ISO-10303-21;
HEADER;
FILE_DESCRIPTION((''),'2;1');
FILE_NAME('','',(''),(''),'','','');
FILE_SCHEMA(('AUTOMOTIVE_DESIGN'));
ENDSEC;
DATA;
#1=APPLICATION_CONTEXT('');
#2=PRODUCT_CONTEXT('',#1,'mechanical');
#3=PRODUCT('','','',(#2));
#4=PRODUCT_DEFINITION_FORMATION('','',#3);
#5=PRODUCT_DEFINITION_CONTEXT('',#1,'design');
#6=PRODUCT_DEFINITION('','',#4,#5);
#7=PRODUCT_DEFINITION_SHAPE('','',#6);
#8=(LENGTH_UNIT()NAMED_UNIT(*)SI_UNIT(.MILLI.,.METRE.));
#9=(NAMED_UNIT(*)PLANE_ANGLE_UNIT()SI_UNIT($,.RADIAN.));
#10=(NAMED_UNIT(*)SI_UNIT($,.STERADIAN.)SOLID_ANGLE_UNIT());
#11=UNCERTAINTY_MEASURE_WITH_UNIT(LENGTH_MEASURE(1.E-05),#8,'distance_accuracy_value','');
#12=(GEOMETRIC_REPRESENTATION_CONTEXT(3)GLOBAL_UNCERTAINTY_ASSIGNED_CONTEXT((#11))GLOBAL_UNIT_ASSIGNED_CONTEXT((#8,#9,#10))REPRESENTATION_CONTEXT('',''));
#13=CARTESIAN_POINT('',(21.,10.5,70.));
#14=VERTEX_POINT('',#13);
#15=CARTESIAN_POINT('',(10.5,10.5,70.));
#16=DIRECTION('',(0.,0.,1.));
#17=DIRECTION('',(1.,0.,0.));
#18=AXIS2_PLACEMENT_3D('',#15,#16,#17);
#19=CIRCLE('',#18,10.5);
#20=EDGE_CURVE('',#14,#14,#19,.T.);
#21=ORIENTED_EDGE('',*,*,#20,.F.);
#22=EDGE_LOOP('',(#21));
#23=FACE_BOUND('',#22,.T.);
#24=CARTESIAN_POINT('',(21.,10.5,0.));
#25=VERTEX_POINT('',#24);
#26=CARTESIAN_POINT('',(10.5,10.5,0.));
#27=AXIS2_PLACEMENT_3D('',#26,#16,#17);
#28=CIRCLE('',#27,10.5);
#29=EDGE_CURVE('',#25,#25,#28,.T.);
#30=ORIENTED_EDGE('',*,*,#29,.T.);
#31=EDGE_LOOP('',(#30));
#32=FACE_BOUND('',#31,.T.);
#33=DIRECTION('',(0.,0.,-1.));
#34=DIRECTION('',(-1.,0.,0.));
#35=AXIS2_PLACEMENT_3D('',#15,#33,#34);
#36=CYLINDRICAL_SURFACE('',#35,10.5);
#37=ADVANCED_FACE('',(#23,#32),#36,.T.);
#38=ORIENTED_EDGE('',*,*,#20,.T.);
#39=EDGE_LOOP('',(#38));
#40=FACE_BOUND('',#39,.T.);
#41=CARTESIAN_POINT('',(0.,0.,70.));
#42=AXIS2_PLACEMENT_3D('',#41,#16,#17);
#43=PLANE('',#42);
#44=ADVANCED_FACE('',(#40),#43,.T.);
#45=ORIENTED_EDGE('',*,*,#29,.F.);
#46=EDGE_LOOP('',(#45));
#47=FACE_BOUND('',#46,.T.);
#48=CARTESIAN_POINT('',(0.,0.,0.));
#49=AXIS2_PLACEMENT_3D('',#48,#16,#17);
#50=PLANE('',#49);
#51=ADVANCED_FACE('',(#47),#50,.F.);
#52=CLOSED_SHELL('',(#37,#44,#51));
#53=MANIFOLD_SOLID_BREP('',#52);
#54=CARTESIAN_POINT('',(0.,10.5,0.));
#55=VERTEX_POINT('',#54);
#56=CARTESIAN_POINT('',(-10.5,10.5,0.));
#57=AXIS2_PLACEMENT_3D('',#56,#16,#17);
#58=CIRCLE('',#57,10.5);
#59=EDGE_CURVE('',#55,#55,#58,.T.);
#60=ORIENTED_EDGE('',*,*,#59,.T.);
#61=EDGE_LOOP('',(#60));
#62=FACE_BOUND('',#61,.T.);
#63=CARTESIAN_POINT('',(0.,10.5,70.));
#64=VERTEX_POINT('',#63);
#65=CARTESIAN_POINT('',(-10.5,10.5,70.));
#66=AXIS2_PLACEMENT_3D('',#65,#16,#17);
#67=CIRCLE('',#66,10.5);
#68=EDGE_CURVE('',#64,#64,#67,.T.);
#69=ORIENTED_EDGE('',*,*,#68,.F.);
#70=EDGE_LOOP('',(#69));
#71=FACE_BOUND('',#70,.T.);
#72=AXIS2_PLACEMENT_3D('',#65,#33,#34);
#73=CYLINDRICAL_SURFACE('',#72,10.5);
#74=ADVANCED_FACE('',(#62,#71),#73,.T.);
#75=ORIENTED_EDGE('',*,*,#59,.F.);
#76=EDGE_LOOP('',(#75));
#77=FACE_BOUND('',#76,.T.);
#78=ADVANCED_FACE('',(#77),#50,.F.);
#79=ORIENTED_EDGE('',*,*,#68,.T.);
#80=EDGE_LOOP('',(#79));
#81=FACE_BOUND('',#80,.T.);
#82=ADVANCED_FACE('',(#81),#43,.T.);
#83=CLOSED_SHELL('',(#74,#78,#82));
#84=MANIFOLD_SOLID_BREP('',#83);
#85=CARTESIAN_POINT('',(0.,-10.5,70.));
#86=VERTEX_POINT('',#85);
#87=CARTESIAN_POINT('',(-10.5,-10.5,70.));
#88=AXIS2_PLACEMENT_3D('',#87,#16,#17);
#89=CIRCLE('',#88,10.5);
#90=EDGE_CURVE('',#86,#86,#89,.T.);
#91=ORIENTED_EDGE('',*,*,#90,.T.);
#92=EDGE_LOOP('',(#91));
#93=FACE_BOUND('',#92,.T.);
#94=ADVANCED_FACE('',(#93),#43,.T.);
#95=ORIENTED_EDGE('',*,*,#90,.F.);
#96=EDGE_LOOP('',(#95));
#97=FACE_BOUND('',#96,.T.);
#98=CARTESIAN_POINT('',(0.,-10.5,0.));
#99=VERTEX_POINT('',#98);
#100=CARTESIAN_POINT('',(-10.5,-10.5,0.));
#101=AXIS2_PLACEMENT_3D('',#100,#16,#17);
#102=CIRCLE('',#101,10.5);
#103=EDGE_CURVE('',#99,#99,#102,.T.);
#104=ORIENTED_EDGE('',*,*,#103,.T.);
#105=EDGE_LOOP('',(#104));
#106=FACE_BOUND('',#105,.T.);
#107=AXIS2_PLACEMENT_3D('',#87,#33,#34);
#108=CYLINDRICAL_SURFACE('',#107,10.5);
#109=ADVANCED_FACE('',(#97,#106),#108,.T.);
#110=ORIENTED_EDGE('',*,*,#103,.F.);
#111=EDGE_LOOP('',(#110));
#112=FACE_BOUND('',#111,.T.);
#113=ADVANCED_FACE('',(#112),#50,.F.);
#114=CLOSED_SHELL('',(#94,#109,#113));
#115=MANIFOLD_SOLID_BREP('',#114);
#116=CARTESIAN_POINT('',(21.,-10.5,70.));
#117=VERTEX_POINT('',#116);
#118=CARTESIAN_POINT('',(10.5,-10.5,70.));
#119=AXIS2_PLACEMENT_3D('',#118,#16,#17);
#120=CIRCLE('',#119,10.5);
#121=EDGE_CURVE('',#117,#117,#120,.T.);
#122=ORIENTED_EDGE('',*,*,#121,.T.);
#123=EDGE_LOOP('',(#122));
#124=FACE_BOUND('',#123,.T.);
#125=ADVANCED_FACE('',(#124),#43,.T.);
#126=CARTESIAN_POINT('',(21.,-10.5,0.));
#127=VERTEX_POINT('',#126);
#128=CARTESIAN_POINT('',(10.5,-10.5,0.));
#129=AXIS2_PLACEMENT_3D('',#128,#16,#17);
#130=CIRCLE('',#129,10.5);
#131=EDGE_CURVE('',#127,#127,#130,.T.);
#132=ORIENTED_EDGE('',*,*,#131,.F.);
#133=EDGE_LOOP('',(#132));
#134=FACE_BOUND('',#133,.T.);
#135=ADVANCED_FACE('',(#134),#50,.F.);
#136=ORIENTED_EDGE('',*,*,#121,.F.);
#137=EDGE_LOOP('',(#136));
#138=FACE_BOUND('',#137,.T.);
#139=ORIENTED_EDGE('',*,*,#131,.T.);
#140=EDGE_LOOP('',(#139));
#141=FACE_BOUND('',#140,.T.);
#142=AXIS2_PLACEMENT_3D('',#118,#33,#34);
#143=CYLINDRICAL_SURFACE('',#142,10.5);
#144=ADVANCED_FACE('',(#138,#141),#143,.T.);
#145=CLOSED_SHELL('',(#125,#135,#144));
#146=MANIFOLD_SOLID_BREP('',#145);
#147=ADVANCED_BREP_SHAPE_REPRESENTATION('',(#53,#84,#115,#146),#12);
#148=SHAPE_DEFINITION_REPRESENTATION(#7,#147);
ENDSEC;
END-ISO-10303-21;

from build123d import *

# Parameters (mm, degrees)
SKETCH1_R             = 10.5
BOSS_EXTRUDE1_DEPTH   = 70
BOSS_EXTRUDE1_2_DEPTH = 70
BOSS_EXTRUDE1_3_DEPTH = 70
BOSS_EXTRUDE1_4_DEPTH = 70


with BuildPart() as part:
    # Sketch1 → Boss-Extrude1 (new body)
    with BuildSketch(Plane.XY):
        with Locations((-10.5, 10.5)):
            Circle(SKETCH1_R)
    extrude(amount=BOSS_EXTRUDE1_DEPTH)


with BuildPart() as body_2:
    # Sketch1 → Boss-Extrude1 2 (new body)
    with BuildSketch(Plane.XY):
        with Locations((10.5, 10.5)):
            Circle(SKETCH1_R)
    extrude(amount=BOSS_EXTRUDE1_2_DEPTH)


with BuildPart() as body_3:
    # Sketch1 → Boss-Extrude1 3 (new body)
    with BuildSketch(Plane.XY):
        with Locations((-10.5, -10.5)):
            Circle(SKETCH1_R)
    extrude(amount=BOSS_EXTRUDE1_3_DEPTH)


with BuildPart() as body_4:
    # Sketch1 → Boss-Extrude1 4 (new body)
    with BuildSketch(Plane.XY):
        with Locations((10.5, -10.5)):
            Circle(SKETCH1_R)
    extrude(amount=BOSS_EXTRUDE1_4_DEPTH)


solid = Compound([part.part, body_2.part, body_3.part, body_4.part])
